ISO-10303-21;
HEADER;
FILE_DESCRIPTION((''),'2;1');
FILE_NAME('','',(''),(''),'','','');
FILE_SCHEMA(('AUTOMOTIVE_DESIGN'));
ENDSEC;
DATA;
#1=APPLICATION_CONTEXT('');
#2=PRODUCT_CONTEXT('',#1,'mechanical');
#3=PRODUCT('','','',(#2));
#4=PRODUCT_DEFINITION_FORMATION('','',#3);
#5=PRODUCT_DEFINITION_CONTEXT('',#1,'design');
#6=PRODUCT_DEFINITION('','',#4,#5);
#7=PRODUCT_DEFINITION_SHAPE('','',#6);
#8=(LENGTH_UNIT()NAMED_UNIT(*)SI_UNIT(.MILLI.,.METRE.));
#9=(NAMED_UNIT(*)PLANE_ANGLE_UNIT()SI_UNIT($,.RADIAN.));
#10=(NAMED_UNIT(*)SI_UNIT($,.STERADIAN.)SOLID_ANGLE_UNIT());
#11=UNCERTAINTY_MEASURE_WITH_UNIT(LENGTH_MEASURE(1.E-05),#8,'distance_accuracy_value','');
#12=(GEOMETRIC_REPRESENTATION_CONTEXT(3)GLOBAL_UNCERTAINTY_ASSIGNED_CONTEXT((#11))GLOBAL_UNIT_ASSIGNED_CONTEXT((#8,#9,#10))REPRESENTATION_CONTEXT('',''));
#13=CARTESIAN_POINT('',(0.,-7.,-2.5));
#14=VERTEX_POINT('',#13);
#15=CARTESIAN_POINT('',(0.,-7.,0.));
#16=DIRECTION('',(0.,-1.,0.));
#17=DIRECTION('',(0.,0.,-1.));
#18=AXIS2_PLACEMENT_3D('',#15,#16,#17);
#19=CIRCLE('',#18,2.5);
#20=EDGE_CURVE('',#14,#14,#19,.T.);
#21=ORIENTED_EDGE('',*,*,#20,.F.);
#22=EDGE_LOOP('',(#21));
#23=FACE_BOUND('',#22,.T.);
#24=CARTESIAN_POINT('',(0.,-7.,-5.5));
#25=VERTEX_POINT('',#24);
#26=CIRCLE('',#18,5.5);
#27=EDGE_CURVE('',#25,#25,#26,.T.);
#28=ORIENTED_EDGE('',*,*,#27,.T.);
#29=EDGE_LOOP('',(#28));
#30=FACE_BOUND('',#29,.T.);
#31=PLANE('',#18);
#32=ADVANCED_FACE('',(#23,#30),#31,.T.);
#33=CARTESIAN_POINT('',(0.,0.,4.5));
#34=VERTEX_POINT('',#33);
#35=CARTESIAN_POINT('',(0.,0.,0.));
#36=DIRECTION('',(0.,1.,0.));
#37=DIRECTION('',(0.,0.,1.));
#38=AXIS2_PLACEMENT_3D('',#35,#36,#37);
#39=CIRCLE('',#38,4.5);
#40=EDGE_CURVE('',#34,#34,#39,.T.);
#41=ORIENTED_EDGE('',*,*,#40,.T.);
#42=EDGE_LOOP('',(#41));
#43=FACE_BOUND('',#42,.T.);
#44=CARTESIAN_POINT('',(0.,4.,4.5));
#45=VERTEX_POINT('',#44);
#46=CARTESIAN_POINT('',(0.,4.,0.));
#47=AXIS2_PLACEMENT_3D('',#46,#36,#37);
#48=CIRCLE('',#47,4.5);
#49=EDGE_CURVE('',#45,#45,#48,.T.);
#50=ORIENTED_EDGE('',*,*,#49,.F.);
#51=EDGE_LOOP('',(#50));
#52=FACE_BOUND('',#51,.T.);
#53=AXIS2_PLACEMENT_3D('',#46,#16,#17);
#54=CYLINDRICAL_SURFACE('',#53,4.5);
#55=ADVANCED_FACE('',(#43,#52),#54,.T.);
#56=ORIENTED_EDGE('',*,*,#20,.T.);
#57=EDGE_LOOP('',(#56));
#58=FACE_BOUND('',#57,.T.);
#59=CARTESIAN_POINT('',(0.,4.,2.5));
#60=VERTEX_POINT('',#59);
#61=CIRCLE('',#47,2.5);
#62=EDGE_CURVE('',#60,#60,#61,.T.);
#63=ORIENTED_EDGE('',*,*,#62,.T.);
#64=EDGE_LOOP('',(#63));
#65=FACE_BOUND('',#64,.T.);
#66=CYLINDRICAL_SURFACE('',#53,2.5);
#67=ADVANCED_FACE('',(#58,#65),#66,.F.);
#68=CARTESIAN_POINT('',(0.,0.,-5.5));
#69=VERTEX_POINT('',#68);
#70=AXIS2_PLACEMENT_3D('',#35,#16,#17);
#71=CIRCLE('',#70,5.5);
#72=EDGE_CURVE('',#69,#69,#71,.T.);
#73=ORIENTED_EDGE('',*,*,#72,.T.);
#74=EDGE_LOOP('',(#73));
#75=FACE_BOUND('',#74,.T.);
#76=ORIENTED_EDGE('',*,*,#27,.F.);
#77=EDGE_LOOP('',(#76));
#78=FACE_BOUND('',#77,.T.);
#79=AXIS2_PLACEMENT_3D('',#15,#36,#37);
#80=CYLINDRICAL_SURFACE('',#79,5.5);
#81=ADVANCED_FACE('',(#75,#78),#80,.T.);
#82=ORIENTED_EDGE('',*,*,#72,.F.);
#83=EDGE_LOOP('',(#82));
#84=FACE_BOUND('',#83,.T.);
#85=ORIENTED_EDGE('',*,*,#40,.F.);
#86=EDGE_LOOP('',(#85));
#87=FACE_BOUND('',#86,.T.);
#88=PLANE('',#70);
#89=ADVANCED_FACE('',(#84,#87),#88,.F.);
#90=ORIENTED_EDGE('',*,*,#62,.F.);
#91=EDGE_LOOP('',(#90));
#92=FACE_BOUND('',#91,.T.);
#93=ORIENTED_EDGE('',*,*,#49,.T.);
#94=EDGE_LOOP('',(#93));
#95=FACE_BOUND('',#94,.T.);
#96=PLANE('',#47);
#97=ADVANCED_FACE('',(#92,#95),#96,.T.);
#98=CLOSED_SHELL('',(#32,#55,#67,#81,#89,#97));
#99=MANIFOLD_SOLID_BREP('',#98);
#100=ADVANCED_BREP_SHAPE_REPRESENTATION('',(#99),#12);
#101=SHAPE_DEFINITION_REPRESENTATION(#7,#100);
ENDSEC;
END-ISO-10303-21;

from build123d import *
from build123d.topology import SkipClean

# Parameters (mm, degrees)
SKETCH1_R           = 4.5
SKETCH1_R_2         = 2.5
BOSS_EXTRUDE1_DEPTH = 4
BOSS_EXTRUDE2_START = 7
SKETCH2_R           = 5.5
SKETCH2_R_2         = 2.5
BOSS_EXTRUDE2_DEPTH = 7


with BuildPart() as part:
    # Sketch1 → Boss-Extrude1 (new body)
    with BuildSketch(Plane(origin=(0, 0, 0), x_dir=(1, 0, 0), z_dir=(0, 1, 0))):
        with Locations(Location((0, 0, 0), (0, 0, 270))):
            Circle(SKETCH1_R)
        with Locations(Location((0, 0, 0), (0, 0, 270))):
            Circle(SKETCH1_R_2, mode=Mode.SUBTRACT)
    extrude(amount=BOSS_EXTRUDE1_DEPTH)

    # Sketch2 → Boss-Extrude2 (add)
    with SkipClean():  # the faces are left unmerged after this step: merging them gives an invalid solid
        with BuildSketch(Plane.XZ.offset(BOSS_EXTRUDE2_START)):
            with Locations(Location((0, 0, 0), (0, 0, 270))):
                Circle(SKETCH2_R)
            with Locations(Location((0, 0, 0), (0, 0, 270))):
                Circle(SKETCH2_R_2, mode=Mode.SUBTRACT)
        extrude(amount=-BOSS_EXTRUDE2_DEPTH)


solid = part.part
